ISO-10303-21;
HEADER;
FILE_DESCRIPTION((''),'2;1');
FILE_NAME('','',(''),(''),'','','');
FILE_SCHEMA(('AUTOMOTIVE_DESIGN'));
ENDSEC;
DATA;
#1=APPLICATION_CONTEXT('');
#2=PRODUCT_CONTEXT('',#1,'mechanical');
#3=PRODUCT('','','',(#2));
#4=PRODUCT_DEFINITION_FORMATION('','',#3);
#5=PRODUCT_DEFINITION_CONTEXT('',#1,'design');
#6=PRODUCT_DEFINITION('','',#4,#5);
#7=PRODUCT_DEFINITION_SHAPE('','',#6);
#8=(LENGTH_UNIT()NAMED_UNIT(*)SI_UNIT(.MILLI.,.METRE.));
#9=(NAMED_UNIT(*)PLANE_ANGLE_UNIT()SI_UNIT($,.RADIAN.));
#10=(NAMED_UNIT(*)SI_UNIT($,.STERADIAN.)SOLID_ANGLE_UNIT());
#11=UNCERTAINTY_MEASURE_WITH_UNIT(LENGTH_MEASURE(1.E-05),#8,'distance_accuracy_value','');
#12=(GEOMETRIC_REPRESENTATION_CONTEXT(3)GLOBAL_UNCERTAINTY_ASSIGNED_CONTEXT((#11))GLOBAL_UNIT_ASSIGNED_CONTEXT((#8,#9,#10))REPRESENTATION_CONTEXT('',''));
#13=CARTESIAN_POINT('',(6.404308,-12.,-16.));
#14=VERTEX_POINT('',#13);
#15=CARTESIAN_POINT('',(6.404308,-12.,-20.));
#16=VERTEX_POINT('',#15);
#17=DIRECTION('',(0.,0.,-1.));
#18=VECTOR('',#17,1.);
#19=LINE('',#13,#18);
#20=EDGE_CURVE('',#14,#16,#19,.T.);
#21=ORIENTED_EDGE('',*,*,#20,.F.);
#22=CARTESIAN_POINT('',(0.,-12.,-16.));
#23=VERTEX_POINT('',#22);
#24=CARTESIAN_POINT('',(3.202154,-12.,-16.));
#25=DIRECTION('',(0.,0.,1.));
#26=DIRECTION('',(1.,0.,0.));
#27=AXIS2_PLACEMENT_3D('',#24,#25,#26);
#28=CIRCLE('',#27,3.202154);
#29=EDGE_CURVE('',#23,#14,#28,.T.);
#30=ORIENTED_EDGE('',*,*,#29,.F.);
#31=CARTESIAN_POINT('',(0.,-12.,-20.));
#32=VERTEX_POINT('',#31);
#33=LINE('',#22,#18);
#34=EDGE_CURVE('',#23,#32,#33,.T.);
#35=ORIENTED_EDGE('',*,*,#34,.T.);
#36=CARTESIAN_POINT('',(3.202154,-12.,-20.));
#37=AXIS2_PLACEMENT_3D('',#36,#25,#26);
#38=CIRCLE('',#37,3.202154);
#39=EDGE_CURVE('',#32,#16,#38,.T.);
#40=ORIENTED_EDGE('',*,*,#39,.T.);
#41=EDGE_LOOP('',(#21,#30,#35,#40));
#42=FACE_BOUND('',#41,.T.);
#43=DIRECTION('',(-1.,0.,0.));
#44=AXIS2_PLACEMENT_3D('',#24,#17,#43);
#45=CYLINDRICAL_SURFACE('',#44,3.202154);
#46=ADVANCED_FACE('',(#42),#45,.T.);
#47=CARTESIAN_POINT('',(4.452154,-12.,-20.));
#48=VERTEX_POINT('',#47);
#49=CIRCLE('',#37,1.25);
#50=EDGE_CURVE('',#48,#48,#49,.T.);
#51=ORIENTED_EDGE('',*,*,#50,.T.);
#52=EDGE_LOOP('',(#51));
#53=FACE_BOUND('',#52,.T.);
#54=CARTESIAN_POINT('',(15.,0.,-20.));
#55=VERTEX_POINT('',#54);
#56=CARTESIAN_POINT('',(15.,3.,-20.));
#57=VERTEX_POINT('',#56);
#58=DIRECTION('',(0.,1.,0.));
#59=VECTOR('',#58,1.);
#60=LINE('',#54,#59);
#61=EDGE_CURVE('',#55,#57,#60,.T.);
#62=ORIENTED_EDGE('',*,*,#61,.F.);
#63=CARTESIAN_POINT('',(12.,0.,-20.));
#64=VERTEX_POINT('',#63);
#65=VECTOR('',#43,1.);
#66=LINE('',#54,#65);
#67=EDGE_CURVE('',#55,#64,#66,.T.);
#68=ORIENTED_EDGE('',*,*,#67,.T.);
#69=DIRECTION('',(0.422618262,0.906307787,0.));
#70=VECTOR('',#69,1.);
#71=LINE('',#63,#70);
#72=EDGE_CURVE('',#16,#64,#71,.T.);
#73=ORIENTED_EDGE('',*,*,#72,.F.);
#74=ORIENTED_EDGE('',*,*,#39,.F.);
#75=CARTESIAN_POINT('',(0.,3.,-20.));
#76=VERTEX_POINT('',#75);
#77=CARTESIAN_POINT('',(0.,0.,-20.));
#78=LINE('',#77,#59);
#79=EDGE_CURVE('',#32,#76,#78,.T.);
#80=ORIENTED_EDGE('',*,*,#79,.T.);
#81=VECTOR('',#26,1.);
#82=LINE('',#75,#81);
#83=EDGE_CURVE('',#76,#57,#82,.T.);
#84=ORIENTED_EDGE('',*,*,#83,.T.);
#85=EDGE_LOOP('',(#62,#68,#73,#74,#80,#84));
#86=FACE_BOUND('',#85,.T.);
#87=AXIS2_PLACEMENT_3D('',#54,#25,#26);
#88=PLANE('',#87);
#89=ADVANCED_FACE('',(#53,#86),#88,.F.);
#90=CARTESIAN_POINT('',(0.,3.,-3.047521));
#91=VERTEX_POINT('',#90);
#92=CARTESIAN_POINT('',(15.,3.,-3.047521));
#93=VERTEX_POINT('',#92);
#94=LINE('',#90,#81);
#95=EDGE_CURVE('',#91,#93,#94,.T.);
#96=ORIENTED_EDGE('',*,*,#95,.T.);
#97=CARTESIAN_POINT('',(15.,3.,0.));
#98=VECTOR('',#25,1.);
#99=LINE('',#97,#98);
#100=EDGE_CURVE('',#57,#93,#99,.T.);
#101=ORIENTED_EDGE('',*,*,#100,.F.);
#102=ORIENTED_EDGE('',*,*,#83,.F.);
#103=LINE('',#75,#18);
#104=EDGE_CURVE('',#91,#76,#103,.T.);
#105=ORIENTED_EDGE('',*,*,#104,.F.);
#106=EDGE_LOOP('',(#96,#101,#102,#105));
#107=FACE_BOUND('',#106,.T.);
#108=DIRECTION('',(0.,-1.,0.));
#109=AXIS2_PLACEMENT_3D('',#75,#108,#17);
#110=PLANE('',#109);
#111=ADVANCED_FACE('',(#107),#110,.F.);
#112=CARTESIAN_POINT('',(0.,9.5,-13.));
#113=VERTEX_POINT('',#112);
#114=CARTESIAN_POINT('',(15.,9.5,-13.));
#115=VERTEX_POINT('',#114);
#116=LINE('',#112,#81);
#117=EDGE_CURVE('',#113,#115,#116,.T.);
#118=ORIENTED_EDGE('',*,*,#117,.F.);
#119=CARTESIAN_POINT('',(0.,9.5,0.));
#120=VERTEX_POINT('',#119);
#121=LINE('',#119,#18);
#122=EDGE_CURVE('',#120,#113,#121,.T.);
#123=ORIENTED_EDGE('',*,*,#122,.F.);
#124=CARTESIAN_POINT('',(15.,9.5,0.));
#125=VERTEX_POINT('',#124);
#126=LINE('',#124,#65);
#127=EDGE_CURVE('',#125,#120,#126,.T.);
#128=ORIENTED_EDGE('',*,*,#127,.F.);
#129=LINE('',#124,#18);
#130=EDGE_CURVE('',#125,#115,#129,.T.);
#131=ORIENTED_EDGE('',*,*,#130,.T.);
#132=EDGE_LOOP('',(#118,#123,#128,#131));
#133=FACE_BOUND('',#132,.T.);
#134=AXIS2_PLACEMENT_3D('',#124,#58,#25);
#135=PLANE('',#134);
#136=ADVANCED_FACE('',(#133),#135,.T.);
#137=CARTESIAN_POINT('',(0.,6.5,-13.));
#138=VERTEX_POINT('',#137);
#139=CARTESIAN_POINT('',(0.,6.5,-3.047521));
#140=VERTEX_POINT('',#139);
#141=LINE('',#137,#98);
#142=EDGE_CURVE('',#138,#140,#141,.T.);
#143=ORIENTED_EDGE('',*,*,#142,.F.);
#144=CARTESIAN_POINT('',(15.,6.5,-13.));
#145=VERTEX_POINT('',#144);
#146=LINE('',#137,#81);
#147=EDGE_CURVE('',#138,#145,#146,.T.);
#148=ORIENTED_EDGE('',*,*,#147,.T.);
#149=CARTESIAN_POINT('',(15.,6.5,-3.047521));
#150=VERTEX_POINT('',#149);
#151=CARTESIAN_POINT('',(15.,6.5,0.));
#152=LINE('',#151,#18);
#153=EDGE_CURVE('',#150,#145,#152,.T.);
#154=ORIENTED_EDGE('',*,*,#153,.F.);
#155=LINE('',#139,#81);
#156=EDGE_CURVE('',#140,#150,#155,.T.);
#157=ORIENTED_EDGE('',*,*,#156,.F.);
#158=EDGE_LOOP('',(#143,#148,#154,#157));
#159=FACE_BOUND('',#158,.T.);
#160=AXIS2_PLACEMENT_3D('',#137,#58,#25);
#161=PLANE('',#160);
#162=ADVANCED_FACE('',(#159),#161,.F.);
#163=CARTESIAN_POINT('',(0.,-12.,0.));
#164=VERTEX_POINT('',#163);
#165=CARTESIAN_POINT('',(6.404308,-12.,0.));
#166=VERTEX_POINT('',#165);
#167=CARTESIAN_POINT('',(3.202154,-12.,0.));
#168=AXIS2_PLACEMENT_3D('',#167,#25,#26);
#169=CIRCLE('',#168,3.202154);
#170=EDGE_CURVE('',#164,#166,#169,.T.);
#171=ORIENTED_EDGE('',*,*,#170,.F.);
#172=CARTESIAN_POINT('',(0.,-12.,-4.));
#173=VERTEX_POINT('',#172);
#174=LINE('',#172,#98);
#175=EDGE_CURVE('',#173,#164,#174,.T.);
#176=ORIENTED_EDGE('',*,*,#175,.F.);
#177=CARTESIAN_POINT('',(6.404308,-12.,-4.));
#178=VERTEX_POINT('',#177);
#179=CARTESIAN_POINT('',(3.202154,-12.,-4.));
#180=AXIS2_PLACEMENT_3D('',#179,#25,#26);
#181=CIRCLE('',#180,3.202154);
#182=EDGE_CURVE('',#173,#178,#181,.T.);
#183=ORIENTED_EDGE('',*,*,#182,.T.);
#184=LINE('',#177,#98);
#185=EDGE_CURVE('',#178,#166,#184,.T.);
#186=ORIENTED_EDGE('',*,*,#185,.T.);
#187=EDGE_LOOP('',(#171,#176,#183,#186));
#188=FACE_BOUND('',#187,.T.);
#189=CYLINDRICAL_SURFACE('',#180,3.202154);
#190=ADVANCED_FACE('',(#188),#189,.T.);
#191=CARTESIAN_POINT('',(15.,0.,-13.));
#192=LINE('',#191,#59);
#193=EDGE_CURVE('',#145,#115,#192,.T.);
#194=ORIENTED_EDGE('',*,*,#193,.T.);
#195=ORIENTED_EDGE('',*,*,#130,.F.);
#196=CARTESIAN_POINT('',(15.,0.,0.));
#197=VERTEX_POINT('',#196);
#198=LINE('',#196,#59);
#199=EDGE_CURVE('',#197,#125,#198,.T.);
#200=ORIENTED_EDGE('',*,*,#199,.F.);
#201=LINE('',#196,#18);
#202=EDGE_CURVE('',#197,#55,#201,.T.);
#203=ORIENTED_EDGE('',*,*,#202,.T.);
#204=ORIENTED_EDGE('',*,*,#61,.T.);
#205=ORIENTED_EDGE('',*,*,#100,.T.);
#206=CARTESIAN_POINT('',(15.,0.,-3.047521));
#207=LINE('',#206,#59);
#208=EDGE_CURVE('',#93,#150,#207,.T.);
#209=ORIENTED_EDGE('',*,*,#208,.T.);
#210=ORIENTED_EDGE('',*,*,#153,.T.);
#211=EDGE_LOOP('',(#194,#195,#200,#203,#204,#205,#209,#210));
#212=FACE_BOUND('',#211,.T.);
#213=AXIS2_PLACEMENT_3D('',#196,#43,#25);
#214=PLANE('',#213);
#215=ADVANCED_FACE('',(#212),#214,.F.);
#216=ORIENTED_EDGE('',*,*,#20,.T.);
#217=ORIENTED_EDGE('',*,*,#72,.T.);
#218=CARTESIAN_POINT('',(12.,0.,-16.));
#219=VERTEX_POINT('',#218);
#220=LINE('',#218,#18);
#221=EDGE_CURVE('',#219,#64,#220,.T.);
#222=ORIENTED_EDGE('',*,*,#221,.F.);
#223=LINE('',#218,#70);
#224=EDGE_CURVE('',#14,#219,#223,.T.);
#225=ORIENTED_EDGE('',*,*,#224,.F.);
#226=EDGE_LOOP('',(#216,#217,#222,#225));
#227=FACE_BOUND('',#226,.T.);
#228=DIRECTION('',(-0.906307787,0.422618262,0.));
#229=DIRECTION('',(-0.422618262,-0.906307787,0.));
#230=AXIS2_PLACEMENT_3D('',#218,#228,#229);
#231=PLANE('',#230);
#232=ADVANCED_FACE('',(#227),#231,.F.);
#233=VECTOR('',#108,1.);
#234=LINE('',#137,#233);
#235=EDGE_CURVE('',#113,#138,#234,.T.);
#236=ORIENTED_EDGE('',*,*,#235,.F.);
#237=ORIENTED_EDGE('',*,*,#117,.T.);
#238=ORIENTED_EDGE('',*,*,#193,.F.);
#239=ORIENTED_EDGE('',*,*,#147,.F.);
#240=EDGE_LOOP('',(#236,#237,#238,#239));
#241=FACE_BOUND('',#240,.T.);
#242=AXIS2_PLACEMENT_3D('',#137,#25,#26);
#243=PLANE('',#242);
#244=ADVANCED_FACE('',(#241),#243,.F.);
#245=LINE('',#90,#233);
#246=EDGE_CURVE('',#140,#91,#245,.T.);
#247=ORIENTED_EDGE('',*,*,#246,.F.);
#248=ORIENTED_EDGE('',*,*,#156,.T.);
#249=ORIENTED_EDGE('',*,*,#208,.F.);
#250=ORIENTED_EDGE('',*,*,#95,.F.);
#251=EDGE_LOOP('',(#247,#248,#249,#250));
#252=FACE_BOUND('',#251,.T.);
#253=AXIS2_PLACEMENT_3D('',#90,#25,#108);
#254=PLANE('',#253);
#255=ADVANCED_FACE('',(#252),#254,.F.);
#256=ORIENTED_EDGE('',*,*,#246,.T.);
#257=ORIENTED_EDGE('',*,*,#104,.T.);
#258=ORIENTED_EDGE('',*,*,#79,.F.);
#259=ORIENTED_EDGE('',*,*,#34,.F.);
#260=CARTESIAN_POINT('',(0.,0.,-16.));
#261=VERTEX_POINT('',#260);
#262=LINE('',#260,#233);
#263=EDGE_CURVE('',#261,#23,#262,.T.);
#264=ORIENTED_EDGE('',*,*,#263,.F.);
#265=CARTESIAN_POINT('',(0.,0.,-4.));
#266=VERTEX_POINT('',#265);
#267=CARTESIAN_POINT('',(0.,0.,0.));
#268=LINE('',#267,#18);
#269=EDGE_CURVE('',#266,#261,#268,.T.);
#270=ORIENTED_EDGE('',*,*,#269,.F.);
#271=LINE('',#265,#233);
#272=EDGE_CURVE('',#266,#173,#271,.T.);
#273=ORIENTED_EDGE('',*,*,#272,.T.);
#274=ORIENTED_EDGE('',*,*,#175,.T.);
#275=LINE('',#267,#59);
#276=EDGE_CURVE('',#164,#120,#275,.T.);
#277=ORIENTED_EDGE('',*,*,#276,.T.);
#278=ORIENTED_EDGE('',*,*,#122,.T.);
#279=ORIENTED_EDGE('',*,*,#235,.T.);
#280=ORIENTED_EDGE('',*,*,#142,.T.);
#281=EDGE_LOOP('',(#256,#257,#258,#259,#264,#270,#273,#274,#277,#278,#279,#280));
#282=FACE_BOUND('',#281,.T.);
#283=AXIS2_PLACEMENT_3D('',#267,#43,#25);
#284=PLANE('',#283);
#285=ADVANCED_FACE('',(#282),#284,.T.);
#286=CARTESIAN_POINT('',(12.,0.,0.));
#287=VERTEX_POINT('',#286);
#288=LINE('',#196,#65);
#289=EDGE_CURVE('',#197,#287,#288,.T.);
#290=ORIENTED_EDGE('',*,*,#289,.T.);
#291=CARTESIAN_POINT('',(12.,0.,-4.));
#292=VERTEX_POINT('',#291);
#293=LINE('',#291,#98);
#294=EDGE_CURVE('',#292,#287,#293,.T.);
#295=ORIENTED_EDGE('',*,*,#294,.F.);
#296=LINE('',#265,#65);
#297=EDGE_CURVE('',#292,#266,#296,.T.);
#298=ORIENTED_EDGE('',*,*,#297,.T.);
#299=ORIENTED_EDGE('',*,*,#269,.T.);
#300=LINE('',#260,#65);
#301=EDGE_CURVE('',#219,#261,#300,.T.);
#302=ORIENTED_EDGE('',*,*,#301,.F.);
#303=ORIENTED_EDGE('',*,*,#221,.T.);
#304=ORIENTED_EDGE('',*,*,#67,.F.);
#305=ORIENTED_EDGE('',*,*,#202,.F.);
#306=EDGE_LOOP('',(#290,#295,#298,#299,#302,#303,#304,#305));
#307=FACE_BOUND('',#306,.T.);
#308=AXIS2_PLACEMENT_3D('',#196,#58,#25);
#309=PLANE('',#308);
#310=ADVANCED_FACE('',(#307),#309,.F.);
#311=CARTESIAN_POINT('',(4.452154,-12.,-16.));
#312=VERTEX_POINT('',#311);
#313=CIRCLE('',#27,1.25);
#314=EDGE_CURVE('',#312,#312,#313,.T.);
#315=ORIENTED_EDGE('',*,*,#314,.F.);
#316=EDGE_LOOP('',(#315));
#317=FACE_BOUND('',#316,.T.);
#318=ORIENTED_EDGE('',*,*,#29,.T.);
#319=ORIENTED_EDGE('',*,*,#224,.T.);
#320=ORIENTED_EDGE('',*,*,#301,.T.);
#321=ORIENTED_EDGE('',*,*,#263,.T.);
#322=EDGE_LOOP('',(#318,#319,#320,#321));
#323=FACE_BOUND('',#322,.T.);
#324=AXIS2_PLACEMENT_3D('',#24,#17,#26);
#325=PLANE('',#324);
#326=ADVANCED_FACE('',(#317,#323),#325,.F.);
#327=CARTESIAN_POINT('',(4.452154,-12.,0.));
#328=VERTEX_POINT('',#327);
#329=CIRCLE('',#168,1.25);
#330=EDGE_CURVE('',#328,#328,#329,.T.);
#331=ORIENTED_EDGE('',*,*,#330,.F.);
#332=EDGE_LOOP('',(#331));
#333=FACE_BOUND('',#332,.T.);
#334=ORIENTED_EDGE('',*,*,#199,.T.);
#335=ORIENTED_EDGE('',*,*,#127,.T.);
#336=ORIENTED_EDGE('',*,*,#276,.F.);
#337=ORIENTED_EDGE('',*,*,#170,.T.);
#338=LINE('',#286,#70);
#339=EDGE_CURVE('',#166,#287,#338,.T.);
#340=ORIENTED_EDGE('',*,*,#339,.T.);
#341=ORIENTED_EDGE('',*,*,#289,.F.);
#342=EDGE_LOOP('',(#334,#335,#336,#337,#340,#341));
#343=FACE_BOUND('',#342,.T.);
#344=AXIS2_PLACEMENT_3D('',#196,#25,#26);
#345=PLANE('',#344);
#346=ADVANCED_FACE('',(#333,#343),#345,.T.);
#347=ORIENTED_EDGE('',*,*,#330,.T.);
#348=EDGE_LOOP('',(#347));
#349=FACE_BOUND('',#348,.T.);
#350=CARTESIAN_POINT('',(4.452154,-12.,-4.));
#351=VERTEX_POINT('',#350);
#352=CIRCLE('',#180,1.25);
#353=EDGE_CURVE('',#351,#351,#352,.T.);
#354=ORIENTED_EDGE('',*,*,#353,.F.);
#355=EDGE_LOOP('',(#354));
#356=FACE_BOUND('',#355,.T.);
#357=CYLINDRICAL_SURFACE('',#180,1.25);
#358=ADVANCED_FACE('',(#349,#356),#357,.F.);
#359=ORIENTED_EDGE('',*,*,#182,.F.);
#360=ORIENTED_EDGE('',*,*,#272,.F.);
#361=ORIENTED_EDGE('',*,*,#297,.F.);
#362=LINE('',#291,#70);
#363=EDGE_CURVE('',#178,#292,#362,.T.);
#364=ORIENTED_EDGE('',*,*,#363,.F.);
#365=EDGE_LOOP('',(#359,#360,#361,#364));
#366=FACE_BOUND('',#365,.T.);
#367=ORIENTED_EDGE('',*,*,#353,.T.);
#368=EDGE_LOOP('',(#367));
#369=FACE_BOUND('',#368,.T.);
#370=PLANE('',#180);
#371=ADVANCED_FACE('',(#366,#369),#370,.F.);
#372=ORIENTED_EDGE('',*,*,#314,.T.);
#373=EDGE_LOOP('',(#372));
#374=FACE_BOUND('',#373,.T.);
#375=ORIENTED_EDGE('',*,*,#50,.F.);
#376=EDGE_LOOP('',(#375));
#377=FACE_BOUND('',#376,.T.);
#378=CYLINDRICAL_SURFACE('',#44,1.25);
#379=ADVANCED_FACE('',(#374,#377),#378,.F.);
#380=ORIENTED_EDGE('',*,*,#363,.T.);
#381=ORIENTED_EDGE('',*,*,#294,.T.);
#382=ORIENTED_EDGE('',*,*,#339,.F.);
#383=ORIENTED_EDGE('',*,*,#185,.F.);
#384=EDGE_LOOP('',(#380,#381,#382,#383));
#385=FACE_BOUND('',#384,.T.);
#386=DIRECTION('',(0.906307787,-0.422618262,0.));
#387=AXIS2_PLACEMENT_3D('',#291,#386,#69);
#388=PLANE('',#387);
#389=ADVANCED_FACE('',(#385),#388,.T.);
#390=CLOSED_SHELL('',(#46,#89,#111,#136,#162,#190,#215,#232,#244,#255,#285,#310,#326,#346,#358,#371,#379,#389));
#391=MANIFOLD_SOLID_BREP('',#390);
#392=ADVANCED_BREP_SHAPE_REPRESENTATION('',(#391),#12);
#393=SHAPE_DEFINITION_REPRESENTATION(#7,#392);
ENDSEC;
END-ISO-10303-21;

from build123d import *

# Parameters (mm, degrees)
SKETCH1_W               = 20
SKETCH1_H               = 9.5
BOSS_EXTRUDE1_DEPTH     = 15
CUT_EXTRUDE1_DEPTH      = 27.744158241
CUT_EXTRUDE1_DEPTH_BACK = 27.744158241
SKETCH4_R               = 1.25
BOSS_EXTRUDE3_DEPTH     = 4


with BuildPart() as part:
    # Sketch1 → Boss-Extrude1 (new body)
    with BuildSketch(Plane(origin=(0, 0, 0), x_dir=(0, 0, -1), z_dir=(1, 0, 0))):
        with Locations((10, 4.75)):
            Rectangle(SKETCH1_W, SKETCH1_H)
    extrude(amount=BOSS_EXTRUDE1_DEPTH)

    # Sketch2 → Cut-Extrude1 (cut, two sides: drawn at the far end of the back side and taken through both)
    with BuildSketch(Plane(origin=(15, 0, 0), x_dir=(0, 0, -1), z_dir=(1, 0, 0)).offset(-CUT_EXTRUDE1_DEPTH_BACK)):
        Polygon((20, 3), (3.047520991, 3), (3.047520991, 6.5), (13, 6.5), (13, 9.5), (20, 9.5), (20, 6.3375), align=None)
    extrude(amount=CUT_EXTRUDE1_DEPTH + CUT_EXTRUDE1_DEPTH_BACK, mode=Mode.SUBTRACT)

    # Sketch4 → Boss-Extrude3 (add)
    with BuildSketch(Plane.XY):
        with BuildLine():
            Line((0, 0), (0, -12))
            ThreePointArc((0, -12), (3.202154051, -15.202154051), (6.404308102, -12))
            Line((6.404308102, -12), (12, 0))
            Line((12, 0), (0, 0))
        make_face()
        with Locations((3.202154051, -12)):
            Circle(SKETCH4_R, mode=Mode.SUBTRACT)
    boss_extrude3 = extrude(amount=-BOSS_EXTRUDE3_DEPTH)

    # Mirror1: Boss-Extrude3 across plane
    add(boss_extrude3.mirror(Plane.XY.offset(-10)))


solid = part.part
